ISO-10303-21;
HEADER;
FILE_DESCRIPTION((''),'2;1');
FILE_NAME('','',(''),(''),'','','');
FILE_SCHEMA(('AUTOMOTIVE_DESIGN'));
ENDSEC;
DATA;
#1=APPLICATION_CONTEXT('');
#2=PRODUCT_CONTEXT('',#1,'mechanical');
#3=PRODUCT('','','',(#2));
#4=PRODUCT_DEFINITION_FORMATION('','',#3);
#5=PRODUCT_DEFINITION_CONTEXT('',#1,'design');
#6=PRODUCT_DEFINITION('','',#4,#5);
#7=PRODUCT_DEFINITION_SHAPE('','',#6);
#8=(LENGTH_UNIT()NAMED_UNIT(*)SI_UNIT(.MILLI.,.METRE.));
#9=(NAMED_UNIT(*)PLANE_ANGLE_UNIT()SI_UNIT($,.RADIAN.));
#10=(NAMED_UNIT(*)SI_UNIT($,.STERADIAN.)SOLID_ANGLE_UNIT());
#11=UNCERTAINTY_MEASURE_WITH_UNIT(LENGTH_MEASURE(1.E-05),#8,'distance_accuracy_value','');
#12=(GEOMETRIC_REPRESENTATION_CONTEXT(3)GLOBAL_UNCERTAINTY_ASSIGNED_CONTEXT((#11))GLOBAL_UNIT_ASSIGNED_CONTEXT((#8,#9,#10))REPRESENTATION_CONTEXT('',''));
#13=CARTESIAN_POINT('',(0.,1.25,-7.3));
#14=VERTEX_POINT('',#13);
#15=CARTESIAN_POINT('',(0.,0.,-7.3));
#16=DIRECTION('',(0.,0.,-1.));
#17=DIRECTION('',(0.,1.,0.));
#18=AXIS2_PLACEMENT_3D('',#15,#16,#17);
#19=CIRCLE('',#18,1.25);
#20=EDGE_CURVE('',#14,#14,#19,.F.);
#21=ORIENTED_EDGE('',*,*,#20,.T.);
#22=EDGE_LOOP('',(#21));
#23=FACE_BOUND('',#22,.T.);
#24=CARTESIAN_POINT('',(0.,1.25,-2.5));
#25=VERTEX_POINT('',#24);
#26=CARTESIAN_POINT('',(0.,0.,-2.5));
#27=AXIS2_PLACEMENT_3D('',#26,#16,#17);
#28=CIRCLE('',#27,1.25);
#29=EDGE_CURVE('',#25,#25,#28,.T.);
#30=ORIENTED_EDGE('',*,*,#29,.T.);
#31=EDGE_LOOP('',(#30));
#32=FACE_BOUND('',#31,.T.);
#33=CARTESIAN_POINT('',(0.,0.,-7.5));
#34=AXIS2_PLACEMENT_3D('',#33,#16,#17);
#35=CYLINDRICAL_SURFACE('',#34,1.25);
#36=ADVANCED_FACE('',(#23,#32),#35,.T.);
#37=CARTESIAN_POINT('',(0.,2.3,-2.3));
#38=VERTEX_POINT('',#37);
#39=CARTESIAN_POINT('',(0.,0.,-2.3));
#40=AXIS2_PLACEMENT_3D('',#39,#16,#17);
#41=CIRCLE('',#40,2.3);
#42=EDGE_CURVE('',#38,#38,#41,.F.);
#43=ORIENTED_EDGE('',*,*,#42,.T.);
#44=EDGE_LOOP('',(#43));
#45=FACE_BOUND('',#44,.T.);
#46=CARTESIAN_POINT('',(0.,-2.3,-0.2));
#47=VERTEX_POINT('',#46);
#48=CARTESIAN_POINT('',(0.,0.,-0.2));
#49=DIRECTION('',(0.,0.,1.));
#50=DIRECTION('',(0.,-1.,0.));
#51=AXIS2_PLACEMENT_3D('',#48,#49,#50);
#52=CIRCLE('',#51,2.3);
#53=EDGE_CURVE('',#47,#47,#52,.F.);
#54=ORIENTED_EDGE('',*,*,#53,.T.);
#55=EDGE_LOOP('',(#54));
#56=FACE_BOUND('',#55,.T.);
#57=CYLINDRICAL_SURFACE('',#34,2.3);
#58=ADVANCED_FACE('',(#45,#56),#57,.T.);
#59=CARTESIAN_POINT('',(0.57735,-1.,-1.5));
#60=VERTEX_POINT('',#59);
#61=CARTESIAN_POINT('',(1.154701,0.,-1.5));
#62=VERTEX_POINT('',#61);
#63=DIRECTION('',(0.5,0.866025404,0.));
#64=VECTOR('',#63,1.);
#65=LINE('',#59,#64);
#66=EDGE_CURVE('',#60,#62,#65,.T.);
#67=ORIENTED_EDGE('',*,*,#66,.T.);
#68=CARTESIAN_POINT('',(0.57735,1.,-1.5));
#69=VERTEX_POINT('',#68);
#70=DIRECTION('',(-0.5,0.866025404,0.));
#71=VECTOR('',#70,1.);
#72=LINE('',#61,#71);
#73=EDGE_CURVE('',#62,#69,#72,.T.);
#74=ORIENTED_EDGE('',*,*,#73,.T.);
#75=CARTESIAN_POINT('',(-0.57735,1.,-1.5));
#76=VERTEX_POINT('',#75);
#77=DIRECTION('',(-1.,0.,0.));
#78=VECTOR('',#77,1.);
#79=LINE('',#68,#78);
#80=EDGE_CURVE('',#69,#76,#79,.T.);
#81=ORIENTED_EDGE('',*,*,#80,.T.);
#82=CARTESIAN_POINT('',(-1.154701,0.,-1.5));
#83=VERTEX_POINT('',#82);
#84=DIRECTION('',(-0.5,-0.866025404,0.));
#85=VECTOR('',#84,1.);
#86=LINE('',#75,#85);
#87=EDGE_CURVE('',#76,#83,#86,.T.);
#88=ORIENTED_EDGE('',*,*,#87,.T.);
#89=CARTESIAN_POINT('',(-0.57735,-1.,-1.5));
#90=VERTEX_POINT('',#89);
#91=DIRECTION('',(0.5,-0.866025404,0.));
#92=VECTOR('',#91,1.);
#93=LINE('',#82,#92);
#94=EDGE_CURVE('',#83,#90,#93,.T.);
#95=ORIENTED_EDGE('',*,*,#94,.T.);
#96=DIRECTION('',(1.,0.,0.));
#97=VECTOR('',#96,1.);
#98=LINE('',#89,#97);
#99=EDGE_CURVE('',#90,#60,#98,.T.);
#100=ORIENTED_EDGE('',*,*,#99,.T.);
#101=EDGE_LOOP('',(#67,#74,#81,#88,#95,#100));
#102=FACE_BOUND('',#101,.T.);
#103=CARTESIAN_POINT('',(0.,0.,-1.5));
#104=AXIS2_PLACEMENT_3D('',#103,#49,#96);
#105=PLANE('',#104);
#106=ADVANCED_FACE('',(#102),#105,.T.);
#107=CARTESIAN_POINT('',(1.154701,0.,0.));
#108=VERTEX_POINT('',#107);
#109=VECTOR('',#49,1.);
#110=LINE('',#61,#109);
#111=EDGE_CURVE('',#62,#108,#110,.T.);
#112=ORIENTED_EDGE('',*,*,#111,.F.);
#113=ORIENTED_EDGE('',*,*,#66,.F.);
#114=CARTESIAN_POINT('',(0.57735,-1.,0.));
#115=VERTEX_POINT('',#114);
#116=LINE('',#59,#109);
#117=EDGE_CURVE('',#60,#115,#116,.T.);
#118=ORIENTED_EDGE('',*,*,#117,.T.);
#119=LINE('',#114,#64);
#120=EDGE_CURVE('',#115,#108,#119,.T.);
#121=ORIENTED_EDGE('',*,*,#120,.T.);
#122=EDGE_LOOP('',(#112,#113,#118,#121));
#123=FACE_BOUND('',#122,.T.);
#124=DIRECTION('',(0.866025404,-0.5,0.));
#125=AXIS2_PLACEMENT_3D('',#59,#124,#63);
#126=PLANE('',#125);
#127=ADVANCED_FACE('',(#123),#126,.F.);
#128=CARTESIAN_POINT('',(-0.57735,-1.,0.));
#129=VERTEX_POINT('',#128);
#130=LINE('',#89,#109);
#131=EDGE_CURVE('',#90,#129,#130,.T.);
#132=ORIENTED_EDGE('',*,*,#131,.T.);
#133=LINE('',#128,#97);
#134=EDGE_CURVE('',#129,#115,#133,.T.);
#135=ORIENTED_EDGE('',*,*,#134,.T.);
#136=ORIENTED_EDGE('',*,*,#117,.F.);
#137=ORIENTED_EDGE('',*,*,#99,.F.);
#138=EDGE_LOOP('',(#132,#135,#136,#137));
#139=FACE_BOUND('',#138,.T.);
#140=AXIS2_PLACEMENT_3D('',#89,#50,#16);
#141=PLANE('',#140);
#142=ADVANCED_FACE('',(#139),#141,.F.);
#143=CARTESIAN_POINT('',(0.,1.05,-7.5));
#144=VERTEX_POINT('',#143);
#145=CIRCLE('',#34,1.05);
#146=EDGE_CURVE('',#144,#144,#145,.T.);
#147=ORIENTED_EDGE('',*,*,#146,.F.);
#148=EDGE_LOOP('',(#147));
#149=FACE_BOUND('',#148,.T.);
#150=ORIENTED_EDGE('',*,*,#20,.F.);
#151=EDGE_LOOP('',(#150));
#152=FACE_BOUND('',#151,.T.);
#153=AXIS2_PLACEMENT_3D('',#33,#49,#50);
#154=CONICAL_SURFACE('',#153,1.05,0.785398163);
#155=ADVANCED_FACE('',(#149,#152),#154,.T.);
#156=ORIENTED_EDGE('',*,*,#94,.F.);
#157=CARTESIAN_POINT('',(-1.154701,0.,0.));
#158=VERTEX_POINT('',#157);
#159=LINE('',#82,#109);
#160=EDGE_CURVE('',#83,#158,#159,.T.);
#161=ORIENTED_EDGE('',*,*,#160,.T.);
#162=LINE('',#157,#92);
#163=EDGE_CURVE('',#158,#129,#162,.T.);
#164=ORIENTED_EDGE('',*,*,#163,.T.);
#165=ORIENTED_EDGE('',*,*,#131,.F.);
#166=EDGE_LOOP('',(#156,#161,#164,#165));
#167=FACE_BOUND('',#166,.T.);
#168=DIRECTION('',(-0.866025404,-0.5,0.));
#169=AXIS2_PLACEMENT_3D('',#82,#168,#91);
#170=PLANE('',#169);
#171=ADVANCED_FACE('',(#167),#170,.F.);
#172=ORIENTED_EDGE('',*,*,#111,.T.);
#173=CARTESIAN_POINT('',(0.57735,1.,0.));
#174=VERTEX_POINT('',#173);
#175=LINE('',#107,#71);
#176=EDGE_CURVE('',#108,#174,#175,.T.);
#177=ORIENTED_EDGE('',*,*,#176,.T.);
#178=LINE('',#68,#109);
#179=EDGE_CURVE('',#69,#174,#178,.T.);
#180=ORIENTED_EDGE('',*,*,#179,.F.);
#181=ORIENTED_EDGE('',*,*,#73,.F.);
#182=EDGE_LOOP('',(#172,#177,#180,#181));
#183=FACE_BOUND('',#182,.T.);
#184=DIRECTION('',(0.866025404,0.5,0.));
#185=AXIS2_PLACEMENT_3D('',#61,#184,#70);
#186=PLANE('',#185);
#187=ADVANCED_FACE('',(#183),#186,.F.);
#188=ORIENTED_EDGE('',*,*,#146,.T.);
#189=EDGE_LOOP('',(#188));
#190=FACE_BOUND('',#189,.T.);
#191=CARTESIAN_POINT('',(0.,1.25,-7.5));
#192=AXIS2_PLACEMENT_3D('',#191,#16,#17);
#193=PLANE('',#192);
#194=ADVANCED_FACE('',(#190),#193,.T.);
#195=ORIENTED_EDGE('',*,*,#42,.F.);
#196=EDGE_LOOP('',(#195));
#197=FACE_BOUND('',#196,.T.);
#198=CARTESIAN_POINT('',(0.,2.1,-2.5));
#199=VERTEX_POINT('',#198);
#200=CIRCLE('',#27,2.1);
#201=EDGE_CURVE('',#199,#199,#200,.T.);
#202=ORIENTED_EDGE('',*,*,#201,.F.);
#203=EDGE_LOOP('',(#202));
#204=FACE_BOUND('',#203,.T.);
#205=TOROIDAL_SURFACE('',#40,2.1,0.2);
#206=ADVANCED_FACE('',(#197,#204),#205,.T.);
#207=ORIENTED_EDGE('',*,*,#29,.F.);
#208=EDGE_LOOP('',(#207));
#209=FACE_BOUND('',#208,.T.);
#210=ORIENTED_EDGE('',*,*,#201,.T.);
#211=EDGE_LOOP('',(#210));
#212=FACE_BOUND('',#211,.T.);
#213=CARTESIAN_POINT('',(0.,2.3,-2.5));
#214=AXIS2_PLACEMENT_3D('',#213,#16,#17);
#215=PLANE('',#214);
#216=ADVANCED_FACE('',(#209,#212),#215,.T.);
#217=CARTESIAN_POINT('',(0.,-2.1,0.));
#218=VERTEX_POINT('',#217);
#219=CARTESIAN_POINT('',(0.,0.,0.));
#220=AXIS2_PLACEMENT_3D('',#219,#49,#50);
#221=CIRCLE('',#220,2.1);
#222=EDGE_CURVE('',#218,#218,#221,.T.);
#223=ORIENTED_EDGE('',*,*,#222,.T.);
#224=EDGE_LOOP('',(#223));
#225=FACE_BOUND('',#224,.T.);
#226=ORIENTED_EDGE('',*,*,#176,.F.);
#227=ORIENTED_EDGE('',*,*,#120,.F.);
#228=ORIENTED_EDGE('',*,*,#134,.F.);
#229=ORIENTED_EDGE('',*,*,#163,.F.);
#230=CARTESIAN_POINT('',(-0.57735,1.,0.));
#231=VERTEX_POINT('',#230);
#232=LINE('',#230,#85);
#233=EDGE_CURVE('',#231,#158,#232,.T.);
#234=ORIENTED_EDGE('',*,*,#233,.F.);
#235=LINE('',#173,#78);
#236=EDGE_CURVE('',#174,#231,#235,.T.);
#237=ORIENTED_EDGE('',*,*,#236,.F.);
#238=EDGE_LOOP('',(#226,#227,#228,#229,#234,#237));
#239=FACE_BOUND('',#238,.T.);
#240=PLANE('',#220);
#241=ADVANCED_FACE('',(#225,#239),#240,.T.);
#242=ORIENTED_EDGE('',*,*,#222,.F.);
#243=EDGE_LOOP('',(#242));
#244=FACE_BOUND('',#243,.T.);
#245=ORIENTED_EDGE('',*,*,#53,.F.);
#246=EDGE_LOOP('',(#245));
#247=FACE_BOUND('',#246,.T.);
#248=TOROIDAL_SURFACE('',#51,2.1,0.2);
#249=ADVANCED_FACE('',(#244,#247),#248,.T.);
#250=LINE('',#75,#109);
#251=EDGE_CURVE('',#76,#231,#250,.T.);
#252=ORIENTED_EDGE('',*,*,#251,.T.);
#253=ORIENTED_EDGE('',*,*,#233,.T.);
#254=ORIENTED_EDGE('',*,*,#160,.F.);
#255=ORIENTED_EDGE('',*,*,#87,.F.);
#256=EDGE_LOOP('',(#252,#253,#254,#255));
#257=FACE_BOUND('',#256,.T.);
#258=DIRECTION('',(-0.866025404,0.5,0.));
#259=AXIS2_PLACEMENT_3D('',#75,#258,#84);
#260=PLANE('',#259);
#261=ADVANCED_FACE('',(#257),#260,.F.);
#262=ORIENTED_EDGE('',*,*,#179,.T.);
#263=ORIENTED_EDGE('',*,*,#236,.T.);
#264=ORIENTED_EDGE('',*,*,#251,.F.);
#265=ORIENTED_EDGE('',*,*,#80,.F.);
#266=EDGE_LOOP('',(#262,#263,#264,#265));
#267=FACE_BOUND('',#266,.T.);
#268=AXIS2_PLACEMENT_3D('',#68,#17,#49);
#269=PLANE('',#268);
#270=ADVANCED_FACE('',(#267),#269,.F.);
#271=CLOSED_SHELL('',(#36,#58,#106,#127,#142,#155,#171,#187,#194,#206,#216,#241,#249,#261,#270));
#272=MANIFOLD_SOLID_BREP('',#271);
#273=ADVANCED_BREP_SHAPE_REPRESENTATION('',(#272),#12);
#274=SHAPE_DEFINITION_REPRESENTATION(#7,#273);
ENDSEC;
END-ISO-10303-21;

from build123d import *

# Parameters (mm, degrees)
FILLET_1_R          = 0.2
CHAMFER_1_SIZE      = 0.2
CUT_EXTRUDE_1_DEPTH = 1.5


with BuildPart() as part:
    # 草图2 → 旋转1 (revolve)
    with BuildSketch(Plane(origin=(0, 0, 0), x_dir=(0, 0, -1), z_dir=(1, 0, 0))):
        Polygon((0, 0), (0, 2.3), (2.5, 2.3), (2.5, 1.25), (7.5, 1.25), (7.5, 0), align=None)
    revolve(axis=Axis((0, 0, -7.5), (0, 0, 1)))

    # 圆角1
    fillet_1_edges = [part.edges().sort_by_distance(p)[0] for p in [
        (0, -2.3, -2.5),
        (0, -2.3, 0),
    ]]
    fillet(fillet_1_edges, radius=FILLET_1_R)

    # 倒角1
    chamfer_1_edges = [part.edges().sort_by_distance(p)[0] for p in [
        (0, -1.25, -7.5),
    ]]
    chamfer(chamfer_1_edges, length=CHAMFER_1_SIZE)

    # 草图3 → 切除-拉伸1 (cut)
    with BuildSketch(Plane.XY):
        Polygon((1.154700538, 0), (0.577350269, 1), (-0.577350269, 1), (-1.154700538, 0), (-0.577350269, -1), (0.577350269, -1), align=None)
    extrude(amount=-CUT_EXTRUDE_1_DEPTH, mode=Mode.SUBTRACT)


solid = part.part
